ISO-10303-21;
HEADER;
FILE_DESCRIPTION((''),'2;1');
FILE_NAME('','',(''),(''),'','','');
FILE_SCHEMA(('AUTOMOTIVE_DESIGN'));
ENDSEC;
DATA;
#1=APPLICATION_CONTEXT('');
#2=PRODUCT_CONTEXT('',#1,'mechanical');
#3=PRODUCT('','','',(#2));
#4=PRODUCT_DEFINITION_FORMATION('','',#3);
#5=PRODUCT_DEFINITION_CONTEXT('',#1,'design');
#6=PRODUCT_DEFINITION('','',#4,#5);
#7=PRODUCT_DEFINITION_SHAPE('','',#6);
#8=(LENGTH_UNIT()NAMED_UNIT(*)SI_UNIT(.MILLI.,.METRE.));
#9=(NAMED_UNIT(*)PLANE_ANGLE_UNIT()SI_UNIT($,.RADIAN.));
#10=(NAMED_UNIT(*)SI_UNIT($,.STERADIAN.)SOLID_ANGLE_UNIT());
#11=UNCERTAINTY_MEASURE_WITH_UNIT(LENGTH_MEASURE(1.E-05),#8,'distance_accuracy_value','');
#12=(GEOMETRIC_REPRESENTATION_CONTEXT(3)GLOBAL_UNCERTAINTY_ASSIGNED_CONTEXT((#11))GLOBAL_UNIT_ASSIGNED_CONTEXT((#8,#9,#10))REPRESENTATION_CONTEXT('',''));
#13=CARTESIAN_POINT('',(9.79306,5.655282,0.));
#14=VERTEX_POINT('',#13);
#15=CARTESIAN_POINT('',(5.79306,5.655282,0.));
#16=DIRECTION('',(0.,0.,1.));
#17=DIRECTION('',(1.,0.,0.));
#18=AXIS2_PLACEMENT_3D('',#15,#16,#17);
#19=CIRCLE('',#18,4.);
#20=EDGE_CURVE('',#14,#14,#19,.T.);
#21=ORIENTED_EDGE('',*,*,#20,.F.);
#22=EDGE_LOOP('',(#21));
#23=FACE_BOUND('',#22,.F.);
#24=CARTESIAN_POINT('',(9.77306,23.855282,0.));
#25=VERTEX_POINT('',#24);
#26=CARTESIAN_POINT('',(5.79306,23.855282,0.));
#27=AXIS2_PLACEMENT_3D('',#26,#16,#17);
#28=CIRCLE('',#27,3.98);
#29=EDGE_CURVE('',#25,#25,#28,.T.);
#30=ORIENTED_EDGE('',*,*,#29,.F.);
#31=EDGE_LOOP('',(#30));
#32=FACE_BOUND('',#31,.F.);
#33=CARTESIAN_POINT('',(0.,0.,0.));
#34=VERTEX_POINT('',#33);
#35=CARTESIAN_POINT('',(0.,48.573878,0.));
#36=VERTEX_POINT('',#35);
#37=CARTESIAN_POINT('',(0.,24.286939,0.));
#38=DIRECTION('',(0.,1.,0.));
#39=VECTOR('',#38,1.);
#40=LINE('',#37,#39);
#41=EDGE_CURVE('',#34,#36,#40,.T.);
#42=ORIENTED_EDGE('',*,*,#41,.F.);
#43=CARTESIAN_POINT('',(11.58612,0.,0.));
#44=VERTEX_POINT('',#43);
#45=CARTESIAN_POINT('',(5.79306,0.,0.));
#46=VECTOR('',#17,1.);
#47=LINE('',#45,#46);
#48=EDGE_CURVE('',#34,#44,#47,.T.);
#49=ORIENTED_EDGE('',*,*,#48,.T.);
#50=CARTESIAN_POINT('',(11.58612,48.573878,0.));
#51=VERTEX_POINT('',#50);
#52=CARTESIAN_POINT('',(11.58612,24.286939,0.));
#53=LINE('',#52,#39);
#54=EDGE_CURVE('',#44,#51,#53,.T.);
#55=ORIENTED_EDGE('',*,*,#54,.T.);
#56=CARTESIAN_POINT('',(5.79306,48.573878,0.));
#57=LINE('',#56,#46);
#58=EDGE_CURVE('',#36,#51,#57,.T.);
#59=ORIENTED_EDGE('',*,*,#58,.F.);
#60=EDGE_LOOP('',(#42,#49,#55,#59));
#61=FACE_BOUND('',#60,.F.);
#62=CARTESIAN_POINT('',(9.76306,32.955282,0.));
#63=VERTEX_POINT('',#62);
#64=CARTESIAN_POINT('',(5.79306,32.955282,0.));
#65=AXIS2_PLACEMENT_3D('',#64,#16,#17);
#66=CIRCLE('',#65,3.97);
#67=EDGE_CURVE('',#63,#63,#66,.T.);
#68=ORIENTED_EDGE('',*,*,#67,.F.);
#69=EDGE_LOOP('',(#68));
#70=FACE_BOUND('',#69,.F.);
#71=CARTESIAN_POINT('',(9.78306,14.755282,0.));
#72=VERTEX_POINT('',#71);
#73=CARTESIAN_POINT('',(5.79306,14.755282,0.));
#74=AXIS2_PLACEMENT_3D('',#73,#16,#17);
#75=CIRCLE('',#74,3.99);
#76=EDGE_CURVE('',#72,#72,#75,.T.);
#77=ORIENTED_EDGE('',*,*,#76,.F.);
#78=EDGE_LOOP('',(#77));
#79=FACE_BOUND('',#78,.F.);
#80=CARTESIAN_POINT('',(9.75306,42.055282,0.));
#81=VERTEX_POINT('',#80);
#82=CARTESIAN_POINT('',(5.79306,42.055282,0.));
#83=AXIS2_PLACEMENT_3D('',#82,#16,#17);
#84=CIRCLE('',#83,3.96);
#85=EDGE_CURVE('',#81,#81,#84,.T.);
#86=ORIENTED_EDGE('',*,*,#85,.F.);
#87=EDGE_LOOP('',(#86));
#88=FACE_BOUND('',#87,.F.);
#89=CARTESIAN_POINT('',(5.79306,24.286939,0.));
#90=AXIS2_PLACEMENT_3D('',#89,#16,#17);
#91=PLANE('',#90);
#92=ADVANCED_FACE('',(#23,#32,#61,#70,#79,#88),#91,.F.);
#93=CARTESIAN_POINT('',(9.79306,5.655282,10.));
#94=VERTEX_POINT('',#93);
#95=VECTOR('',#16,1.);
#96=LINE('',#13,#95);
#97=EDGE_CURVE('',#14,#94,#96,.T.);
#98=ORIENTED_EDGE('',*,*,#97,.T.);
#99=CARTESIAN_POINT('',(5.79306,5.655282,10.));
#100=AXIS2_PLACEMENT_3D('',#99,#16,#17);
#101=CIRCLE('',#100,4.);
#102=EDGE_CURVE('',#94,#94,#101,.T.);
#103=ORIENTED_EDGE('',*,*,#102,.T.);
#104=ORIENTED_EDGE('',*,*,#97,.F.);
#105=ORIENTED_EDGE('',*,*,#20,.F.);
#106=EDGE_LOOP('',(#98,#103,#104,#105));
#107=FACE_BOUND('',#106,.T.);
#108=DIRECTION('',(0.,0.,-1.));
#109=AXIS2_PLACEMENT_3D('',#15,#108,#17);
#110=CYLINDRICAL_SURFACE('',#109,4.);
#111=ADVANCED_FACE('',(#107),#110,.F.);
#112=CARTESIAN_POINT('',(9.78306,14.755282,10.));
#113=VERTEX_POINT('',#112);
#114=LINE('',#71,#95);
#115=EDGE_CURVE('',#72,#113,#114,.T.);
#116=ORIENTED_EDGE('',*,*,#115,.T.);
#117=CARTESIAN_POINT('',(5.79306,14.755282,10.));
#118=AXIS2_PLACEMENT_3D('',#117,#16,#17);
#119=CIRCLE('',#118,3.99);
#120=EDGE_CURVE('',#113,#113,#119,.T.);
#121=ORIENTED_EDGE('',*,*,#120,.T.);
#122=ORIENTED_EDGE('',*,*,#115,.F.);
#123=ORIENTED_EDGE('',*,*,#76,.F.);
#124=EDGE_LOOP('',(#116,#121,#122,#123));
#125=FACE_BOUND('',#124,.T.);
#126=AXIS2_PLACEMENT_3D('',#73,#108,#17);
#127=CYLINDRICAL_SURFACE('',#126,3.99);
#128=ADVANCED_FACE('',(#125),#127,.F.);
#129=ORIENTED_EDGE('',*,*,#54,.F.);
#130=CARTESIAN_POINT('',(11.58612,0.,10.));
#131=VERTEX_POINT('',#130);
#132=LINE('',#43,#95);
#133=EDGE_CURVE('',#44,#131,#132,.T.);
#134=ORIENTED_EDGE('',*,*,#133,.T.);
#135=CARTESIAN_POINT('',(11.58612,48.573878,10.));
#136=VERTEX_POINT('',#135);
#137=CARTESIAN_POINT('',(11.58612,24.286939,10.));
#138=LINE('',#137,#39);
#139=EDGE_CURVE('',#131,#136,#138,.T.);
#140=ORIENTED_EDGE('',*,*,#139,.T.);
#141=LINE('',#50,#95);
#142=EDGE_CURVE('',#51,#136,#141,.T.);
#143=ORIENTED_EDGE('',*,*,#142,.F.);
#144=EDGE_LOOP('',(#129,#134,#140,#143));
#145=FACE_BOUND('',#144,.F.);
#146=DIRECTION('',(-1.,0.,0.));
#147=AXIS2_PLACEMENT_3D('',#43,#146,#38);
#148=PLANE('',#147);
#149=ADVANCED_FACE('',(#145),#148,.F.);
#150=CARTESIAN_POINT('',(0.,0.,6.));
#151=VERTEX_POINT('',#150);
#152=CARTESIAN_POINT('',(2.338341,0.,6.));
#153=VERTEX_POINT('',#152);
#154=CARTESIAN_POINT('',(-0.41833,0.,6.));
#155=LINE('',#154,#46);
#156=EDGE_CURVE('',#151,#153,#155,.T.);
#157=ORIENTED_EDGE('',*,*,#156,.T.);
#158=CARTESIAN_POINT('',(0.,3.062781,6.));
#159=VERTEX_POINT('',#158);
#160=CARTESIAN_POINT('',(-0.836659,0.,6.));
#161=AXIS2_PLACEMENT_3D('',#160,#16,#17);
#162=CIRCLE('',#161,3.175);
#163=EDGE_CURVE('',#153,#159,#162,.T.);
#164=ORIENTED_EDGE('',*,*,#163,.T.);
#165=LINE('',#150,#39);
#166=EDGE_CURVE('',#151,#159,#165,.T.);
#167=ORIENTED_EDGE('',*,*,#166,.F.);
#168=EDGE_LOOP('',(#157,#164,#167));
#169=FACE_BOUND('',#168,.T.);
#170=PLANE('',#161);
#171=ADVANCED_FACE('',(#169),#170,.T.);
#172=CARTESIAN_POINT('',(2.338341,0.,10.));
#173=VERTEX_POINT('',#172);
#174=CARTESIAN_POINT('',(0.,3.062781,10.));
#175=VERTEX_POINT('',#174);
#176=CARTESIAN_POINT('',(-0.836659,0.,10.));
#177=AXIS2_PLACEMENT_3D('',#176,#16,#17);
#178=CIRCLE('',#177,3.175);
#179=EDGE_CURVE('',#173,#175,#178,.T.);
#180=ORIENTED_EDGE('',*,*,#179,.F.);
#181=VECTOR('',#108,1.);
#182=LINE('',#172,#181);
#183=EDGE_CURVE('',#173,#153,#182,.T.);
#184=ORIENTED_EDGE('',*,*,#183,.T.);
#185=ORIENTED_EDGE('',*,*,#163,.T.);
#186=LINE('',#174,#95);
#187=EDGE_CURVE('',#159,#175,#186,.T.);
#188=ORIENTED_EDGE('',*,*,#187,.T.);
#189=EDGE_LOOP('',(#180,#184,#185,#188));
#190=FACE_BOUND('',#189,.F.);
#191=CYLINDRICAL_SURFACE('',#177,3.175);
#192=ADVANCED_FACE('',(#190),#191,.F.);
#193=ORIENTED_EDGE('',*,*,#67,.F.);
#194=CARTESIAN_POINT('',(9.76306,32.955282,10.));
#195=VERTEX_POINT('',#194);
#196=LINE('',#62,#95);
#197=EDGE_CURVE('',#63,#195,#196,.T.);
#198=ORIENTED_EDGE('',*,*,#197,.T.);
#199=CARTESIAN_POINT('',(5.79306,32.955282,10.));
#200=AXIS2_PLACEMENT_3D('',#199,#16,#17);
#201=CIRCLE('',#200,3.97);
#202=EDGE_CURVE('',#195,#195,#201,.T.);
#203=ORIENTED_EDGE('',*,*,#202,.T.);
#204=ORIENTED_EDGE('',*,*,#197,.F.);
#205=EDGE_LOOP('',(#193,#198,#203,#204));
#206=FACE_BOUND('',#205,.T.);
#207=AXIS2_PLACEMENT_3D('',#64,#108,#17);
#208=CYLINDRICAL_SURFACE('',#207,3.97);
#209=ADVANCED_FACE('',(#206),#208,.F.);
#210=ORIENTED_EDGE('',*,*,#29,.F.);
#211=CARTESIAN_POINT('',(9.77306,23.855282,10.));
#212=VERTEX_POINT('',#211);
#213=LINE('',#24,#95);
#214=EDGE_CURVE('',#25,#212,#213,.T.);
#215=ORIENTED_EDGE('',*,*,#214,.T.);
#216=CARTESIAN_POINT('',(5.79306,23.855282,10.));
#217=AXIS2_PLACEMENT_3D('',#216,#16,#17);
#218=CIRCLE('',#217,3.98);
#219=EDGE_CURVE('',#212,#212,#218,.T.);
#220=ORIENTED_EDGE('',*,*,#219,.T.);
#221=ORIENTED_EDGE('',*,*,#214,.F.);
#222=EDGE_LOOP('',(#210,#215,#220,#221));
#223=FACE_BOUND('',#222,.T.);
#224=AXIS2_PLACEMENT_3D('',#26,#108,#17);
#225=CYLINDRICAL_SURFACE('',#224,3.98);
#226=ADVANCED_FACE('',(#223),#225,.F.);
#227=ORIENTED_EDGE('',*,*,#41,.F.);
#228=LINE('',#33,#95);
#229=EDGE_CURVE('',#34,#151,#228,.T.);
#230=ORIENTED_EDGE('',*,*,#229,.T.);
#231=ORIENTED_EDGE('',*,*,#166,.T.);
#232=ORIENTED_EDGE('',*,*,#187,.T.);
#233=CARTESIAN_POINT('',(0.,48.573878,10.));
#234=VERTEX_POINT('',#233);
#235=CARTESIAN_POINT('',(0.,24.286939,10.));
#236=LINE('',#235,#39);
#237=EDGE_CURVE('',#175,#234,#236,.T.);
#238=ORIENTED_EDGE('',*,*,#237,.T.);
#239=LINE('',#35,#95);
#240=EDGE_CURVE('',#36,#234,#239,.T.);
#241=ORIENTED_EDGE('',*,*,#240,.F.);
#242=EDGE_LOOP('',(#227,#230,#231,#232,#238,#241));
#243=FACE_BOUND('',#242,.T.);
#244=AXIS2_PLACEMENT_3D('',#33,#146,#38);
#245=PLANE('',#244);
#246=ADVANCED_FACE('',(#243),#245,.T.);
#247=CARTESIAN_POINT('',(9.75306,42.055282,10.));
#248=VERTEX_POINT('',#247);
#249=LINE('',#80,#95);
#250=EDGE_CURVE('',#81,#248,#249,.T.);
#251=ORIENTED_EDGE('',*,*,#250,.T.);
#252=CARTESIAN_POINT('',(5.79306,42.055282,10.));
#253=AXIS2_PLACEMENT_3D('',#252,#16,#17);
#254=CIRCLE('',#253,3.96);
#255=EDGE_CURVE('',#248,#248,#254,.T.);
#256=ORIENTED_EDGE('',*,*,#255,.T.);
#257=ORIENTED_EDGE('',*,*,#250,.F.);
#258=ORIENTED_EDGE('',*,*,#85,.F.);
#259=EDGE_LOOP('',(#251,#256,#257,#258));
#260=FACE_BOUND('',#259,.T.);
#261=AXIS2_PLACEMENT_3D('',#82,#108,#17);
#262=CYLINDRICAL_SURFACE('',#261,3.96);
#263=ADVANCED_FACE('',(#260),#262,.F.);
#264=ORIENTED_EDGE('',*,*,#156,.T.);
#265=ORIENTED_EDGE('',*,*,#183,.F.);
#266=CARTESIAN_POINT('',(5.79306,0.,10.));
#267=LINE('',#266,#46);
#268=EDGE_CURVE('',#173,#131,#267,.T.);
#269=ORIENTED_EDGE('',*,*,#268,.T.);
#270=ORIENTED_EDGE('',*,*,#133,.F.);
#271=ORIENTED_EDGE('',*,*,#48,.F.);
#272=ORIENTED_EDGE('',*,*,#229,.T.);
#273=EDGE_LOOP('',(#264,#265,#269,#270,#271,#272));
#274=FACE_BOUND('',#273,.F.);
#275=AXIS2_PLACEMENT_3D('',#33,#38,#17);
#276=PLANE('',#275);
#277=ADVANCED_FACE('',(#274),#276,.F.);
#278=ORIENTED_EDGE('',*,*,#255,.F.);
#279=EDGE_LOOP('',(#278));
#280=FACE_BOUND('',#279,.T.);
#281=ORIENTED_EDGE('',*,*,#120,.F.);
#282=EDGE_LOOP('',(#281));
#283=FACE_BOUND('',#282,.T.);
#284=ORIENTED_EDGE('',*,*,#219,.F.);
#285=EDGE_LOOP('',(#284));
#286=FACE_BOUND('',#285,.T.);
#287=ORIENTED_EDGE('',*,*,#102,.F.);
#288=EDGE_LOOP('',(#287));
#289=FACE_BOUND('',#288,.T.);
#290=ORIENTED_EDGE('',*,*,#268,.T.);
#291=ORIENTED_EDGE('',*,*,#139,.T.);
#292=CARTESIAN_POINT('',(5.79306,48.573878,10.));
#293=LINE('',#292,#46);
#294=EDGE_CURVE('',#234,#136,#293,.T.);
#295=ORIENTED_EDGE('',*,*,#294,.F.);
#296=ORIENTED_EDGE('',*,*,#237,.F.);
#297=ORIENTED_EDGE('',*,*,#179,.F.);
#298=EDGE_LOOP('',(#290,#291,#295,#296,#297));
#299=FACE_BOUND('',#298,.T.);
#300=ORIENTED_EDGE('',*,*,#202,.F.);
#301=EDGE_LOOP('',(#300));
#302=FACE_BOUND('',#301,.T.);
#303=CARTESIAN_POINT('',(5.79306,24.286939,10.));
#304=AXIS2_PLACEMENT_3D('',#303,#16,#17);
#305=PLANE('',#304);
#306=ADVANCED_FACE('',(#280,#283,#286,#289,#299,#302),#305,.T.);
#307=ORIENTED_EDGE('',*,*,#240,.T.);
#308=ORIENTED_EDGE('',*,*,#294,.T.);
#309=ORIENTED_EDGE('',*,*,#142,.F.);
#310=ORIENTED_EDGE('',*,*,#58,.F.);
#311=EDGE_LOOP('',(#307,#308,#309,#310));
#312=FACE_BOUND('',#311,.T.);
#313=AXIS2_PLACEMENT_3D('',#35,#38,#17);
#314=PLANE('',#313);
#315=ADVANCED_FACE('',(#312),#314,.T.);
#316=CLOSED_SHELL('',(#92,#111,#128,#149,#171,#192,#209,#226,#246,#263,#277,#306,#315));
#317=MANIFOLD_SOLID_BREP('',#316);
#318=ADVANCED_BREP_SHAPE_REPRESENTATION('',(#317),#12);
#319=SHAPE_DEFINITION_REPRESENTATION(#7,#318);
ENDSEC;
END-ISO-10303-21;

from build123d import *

# Parameters (mm, degrees)
F0_W     = 11.58612
F0_H     = 48.573878
F0_R     = 4
F0_R_2   = 3.99
F0_R_3   = 3.98
F0_R_4   = 3.97
F0_R_5   = 3.96
F1_DEPTH = 10
F2_R     = 3.175
F3_DEPTH = 4


with BuildPart() as f1:
    # F0 (on Top) → F1 (new body)
    with BuildSketch(Plane.XY):
        with Locations((5.79306, 24.286939)):
            Rectangle(F0_W, F0_H)
        with Locations((5.79306, 5.655282)):
            Circle(F0_R, mode=Mode.SUBTRACT)
        with Locations((5.79306, 14.755282)):
            Circle(F0_R_2, mode=Mode.SUBTRACT)
        with Locations((5.79306, 23.855282)):
            Circle(F0_R_3, mode=Mode.SUBTRACT)
        with Locations((5.79306, 32.955282)):
            Circle(F0_R_4, mode=Mode.SUBTRACT)
        with Locations((5.79306, 42.055282)):
            Circle(F0_R_5, mode=Mode.SUBTRACT)
    extrude(amount=F1_DEPTH)

    # F2 (on face) → F3 (cut)
    with BuildSketch(Plane.XY.offset(10)):
        with Locations((-0.836659, 0)):
            Circle(F2_R)
    extrude(amount=-F3_DEPTH, mode=Mode.SUBTRACT)


solid = f1.part
